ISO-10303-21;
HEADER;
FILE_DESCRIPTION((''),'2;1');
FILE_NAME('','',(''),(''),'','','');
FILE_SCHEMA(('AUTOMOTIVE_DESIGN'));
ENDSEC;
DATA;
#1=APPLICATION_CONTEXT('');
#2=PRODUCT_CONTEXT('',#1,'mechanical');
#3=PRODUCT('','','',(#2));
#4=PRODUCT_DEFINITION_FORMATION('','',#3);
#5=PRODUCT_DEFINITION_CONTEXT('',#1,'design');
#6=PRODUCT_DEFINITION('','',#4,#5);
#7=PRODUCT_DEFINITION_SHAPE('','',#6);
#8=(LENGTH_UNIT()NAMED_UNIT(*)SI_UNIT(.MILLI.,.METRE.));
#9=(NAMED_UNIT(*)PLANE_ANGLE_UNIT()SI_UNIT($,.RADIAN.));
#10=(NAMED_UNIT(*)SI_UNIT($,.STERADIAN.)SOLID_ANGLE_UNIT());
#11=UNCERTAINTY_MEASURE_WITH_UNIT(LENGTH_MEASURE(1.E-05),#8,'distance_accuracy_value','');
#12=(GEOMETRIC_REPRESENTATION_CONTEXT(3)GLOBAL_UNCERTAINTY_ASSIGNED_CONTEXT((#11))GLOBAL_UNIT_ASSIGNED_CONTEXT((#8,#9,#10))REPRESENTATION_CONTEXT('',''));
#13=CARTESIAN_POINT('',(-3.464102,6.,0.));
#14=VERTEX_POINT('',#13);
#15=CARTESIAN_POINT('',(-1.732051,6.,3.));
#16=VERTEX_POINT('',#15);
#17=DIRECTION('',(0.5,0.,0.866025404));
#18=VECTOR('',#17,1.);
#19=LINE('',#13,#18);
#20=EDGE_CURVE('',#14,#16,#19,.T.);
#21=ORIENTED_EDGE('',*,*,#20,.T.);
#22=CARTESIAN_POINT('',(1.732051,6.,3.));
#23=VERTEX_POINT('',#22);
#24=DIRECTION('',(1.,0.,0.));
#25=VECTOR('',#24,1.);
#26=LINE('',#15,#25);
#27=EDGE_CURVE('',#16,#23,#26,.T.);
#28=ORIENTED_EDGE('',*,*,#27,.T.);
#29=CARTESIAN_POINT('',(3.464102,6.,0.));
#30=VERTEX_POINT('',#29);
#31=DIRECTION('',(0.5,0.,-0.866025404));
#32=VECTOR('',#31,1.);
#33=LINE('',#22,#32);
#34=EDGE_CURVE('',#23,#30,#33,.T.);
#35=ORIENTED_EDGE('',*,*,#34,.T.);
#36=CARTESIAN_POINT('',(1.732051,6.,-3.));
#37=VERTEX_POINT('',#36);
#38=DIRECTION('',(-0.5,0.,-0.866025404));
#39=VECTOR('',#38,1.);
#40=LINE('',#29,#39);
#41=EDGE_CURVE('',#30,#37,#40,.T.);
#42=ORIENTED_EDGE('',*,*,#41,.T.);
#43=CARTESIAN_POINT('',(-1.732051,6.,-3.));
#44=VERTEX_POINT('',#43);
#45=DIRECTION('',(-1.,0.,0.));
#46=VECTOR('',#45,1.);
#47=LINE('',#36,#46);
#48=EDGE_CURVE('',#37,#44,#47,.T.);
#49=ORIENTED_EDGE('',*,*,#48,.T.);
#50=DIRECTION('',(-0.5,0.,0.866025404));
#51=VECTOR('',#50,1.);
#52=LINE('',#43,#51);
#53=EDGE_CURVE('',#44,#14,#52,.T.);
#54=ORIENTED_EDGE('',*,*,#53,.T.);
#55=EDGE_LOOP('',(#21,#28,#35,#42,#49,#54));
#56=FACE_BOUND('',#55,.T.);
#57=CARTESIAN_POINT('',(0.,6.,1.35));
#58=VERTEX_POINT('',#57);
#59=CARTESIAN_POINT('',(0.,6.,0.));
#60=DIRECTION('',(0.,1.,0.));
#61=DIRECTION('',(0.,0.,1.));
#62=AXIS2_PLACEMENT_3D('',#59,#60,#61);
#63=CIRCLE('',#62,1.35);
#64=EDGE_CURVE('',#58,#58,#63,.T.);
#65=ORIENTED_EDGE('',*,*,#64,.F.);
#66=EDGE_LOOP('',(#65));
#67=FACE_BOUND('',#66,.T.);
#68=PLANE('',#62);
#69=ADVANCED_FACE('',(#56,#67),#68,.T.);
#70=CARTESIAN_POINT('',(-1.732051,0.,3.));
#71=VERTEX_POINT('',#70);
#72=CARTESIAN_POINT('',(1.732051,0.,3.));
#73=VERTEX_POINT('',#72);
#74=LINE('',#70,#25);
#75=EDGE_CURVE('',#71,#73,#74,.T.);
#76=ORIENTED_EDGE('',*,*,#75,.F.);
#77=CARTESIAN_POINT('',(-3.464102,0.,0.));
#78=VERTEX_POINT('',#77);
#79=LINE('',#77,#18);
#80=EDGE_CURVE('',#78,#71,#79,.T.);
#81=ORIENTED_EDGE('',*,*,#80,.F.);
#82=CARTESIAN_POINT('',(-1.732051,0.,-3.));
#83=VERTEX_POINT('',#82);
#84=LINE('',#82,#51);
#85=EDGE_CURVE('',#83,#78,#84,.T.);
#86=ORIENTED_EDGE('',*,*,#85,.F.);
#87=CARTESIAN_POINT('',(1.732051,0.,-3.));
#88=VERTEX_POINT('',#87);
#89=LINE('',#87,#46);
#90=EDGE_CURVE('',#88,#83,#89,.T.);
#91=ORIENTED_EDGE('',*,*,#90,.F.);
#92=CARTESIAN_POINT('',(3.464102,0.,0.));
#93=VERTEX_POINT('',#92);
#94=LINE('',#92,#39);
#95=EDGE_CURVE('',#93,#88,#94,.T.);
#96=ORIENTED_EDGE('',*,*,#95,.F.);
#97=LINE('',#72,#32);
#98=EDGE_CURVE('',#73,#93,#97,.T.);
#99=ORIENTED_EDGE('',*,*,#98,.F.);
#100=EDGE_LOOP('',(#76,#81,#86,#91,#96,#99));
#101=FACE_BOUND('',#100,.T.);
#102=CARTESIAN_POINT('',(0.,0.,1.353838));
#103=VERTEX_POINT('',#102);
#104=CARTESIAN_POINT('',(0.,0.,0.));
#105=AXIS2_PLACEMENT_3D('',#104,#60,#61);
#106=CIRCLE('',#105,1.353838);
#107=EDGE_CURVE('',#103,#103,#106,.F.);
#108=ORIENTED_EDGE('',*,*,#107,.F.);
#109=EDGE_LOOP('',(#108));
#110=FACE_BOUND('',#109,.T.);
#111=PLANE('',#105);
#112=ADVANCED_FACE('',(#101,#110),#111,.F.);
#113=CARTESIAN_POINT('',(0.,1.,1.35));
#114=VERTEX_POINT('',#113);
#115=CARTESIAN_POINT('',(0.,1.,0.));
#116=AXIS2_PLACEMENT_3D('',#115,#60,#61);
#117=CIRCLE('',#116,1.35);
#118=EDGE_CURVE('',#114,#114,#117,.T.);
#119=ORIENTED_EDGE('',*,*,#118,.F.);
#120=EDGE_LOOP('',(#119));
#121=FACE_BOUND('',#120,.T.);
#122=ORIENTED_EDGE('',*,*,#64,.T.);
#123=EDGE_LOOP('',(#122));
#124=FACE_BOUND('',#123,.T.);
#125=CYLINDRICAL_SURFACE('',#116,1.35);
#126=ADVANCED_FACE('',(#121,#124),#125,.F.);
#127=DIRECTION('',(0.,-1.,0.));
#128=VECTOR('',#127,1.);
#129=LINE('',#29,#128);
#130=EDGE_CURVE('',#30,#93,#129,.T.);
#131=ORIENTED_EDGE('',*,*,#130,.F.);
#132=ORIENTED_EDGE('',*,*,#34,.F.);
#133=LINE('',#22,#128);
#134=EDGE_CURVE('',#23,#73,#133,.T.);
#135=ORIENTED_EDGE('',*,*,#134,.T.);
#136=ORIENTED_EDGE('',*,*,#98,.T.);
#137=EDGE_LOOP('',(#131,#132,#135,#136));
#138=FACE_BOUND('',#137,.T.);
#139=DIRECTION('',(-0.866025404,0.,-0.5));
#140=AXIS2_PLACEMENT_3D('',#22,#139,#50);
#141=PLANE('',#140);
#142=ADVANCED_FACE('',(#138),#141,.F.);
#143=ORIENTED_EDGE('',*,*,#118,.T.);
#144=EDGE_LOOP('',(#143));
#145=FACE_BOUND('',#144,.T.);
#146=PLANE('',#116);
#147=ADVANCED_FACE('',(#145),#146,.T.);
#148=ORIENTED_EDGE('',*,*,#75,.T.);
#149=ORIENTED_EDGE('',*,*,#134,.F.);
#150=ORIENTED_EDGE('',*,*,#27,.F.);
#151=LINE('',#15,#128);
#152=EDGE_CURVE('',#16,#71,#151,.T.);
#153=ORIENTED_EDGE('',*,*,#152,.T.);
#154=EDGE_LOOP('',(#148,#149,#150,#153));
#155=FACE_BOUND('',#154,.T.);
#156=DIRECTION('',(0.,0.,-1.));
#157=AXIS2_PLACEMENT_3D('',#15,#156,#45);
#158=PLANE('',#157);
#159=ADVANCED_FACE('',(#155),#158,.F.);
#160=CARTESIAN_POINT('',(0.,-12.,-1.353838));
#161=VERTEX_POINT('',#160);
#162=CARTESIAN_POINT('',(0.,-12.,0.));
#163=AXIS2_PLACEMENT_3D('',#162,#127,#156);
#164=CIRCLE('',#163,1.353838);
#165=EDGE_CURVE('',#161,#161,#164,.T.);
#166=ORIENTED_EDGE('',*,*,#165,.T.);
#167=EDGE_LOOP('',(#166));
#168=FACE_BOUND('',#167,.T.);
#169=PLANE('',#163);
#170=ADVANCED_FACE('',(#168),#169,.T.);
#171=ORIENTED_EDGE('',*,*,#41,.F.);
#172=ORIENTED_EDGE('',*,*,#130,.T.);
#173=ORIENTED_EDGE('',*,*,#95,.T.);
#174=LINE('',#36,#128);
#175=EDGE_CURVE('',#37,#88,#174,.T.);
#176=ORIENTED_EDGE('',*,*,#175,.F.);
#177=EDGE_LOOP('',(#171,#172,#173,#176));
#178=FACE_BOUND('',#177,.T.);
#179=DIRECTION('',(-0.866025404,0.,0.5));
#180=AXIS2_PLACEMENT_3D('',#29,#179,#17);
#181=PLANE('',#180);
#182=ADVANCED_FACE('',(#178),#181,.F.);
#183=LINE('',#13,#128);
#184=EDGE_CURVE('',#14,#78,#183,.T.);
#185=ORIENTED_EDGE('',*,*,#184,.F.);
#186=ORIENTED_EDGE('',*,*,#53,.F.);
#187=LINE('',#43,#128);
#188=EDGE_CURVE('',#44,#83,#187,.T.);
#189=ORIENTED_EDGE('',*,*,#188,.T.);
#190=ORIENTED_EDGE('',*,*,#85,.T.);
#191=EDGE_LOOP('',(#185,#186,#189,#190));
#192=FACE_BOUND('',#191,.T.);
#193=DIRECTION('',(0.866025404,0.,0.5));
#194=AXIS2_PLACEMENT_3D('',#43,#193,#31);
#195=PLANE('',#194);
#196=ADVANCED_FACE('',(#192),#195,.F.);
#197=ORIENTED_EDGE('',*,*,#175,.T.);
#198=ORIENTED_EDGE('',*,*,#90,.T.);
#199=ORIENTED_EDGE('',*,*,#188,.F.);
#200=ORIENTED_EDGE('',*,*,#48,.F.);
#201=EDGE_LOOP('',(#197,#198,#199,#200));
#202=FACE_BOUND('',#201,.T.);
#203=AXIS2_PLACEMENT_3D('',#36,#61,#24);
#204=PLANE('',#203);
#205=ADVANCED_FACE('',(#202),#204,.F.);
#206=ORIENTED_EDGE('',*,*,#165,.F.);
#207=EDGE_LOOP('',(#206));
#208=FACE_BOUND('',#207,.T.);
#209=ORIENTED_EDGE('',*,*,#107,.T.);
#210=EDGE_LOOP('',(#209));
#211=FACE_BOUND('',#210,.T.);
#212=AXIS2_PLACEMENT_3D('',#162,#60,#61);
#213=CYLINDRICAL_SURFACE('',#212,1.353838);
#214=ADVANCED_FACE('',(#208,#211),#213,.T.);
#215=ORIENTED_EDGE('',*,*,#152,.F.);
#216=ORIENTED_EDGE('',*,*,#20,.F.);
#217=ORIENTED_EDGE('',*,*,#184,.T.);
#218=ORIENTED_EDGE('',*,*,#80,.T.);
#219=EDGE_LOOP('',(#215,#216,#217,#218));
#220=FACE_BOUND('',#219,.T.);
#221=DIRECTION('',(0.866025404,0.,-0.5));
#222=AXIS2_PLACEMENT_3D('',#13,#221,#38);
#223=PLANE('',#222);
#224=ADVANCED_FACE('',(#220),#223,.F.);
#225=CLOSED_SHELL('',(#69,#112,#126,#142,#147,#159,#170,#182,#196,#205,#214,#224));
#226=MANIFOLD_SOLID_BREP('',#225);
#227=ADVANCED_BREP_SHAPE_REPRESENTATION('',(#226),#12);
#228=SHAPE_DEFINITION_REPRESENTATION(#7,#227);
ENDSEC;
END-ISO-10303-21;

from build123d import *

# Parameters (mm, degrees)
BOSS_EXTRU_1_DEPTH      = 6
ESQUISSE2_R             = 1.353837959
BOSS_EXTRU_2_DEPTH      = 12
ESQUISSE3_R             = 1.35
ENL_V_MAT_EXTRU_1_DEPTH = 5


with BuildPart() as part:
    # Esquisse1 → Boss.-Extru.1 (new body)
    with BuildSketch(Plane(origin=(0, 0, 0), x_dir=(1, 0, 0), z_dir=(0, 1, 0))):
        Polygon((3.464101615, 0), (1.732050808, 3), (-1.732050808, 3), (-3.464101615, 0), (-1.732050808, -3), (1.732050808, -3), align=None)
    extrude(amount=BOSS_EXTRU_1_DEPTH)

    # Esquisse2 → Boss.-Extru.2 (add)
    with BuildSketch(Plane.XZ):
        with Locations(Location((0, 0, 0), (0, 0, 90))):
            Circle(ESQUISSE2_R)
    extrude(amount=BOSS_EXTRU_2_DEPTH)

    # Esquisse3 → Enlèv. mat.-Extru.1 (cut)
    with BuildSketch(Plane(origin=(0, 6, 0), x_dir=(1, 0, 0), z_dir=(0, 1, 0))):
        with Locations(Location((0, 0, 0), (0, 0, 270))):
            Circle(ESQUISSE3_R)
    extrude(amount=-ENL_V_MAT_EXTRU_1_DEPTH, mode=Mode.SUBTRACT)


solid = part.part
